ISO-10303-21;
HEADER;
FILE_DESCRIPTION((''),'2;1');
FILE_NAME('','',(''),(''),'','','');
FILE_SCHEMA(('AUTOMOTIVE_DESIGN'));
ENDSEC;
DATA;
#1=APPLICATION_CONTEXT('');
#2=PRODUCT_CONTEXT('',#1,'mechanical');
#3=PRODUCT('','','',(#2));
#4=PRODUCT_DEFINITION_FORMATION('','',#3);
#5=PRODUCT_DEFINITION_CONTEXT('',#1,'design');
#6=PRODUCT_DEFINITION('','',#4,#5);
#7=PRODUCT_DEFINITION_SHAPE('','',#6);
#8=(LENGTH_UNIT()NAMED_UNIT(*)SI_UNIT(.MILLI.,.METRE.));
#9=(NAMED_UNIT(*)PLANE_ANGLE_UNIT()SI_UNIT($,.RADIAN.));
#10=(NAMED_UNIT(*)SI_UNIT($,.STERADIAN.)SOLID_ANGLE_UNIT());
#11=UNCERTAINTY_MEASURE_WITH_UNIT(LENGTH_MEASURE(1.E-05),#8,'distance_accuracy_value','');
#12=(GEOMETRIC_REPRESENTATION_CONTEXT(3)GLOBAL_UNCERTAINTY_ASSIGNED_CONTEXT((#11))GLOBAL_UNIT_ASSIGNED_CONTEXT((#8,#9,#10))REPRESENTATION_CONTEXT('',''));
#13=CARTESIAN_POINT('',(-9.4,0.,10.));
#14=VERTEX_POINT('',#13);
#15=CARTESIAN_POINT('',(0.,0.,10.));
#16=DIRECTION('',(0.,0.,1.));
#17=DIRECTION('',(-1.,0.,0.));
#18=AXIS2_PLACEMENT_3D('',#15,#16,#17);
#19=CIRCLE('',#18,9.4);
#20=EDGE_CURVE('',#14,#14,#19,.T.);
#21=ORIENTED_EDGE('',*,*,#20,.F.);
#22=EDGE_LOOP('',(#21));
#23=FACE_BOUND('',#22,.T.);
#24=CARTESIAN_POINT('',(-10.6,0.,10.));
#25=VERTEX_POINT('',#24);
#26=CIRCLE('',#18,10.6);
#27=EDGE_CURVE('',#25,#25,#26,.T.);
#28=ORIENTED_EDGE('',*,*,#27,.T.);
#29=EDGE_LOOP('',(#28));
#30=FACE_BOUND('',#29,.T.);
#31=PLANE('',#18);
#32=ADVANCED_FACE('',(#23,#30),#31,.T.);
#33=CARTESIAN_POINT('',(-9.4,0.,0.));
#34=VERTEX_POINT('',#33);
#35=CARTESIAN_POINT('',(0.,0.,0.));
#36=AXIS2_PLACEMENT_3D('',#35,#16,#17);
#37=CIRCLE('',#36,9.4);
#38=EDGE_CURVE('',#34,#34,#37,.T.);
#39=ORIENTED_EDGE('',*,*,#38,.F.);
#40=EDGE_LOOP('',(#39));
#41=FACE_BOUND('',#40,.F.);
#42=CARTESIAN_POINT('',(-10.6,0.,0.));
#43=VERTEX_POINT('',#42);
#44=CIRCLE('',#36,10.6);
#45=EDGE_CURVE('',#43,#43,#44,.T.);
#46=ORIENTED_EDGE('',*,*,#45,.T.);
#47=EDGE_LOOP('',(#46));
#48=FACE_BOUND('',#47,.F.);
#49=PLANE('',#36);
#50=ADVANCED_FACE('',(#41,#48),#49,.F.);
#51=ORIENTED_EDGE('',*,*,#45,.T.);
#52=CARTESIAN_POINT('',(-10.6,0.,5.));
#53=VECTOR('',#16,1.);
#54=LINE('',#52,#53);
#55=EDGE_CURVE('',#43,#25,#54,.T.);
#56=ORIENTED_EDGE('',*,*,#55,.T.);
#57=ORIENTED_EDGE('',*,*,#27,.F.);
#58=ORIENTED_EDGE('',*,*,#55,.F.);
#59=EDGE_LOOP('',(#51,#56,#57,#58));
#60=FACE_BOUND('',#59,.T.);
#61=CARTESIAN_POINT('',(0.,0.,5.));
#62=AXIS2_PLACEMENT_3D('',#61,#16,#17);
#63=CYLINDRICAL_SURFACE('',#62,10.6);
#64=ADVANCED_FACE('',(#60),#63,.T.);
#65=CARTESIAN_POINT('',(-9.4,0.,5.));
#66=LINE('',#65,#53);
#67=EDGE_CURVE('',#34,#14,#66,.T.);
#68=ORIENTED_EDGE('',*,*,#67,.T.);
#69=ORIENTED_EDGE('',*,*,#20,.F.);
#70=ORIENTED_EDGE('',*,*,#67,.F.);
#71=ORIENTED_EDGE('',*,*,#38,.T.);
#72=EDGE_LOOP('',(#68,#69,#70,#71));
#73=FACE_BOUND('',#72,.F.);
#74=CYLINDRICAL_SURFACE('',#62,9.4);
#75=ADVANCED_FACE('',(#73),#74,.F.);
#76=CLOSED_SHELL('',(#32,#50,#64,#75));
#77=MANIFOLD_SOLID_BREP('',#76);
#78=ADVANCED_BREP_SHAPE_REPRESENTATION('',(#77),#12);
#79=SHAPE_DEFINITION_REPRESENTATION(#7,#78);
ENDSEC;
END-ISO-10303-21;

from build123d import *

# Parameters (mm, degrees)
SKETCH_W = 1.2
SKETCH_H = 10


with BuildPart() as part:
    # Sketch → Revolution (revolve)
    with BuildSketch(Plane.XZ):
        with Locations((-10, 5)):
            Rectangle(SKETCH_W, SKETCH_H)
    revolve(axis=Axis((0, 0, 0), (0, 0, 1)))


solid = part.part
